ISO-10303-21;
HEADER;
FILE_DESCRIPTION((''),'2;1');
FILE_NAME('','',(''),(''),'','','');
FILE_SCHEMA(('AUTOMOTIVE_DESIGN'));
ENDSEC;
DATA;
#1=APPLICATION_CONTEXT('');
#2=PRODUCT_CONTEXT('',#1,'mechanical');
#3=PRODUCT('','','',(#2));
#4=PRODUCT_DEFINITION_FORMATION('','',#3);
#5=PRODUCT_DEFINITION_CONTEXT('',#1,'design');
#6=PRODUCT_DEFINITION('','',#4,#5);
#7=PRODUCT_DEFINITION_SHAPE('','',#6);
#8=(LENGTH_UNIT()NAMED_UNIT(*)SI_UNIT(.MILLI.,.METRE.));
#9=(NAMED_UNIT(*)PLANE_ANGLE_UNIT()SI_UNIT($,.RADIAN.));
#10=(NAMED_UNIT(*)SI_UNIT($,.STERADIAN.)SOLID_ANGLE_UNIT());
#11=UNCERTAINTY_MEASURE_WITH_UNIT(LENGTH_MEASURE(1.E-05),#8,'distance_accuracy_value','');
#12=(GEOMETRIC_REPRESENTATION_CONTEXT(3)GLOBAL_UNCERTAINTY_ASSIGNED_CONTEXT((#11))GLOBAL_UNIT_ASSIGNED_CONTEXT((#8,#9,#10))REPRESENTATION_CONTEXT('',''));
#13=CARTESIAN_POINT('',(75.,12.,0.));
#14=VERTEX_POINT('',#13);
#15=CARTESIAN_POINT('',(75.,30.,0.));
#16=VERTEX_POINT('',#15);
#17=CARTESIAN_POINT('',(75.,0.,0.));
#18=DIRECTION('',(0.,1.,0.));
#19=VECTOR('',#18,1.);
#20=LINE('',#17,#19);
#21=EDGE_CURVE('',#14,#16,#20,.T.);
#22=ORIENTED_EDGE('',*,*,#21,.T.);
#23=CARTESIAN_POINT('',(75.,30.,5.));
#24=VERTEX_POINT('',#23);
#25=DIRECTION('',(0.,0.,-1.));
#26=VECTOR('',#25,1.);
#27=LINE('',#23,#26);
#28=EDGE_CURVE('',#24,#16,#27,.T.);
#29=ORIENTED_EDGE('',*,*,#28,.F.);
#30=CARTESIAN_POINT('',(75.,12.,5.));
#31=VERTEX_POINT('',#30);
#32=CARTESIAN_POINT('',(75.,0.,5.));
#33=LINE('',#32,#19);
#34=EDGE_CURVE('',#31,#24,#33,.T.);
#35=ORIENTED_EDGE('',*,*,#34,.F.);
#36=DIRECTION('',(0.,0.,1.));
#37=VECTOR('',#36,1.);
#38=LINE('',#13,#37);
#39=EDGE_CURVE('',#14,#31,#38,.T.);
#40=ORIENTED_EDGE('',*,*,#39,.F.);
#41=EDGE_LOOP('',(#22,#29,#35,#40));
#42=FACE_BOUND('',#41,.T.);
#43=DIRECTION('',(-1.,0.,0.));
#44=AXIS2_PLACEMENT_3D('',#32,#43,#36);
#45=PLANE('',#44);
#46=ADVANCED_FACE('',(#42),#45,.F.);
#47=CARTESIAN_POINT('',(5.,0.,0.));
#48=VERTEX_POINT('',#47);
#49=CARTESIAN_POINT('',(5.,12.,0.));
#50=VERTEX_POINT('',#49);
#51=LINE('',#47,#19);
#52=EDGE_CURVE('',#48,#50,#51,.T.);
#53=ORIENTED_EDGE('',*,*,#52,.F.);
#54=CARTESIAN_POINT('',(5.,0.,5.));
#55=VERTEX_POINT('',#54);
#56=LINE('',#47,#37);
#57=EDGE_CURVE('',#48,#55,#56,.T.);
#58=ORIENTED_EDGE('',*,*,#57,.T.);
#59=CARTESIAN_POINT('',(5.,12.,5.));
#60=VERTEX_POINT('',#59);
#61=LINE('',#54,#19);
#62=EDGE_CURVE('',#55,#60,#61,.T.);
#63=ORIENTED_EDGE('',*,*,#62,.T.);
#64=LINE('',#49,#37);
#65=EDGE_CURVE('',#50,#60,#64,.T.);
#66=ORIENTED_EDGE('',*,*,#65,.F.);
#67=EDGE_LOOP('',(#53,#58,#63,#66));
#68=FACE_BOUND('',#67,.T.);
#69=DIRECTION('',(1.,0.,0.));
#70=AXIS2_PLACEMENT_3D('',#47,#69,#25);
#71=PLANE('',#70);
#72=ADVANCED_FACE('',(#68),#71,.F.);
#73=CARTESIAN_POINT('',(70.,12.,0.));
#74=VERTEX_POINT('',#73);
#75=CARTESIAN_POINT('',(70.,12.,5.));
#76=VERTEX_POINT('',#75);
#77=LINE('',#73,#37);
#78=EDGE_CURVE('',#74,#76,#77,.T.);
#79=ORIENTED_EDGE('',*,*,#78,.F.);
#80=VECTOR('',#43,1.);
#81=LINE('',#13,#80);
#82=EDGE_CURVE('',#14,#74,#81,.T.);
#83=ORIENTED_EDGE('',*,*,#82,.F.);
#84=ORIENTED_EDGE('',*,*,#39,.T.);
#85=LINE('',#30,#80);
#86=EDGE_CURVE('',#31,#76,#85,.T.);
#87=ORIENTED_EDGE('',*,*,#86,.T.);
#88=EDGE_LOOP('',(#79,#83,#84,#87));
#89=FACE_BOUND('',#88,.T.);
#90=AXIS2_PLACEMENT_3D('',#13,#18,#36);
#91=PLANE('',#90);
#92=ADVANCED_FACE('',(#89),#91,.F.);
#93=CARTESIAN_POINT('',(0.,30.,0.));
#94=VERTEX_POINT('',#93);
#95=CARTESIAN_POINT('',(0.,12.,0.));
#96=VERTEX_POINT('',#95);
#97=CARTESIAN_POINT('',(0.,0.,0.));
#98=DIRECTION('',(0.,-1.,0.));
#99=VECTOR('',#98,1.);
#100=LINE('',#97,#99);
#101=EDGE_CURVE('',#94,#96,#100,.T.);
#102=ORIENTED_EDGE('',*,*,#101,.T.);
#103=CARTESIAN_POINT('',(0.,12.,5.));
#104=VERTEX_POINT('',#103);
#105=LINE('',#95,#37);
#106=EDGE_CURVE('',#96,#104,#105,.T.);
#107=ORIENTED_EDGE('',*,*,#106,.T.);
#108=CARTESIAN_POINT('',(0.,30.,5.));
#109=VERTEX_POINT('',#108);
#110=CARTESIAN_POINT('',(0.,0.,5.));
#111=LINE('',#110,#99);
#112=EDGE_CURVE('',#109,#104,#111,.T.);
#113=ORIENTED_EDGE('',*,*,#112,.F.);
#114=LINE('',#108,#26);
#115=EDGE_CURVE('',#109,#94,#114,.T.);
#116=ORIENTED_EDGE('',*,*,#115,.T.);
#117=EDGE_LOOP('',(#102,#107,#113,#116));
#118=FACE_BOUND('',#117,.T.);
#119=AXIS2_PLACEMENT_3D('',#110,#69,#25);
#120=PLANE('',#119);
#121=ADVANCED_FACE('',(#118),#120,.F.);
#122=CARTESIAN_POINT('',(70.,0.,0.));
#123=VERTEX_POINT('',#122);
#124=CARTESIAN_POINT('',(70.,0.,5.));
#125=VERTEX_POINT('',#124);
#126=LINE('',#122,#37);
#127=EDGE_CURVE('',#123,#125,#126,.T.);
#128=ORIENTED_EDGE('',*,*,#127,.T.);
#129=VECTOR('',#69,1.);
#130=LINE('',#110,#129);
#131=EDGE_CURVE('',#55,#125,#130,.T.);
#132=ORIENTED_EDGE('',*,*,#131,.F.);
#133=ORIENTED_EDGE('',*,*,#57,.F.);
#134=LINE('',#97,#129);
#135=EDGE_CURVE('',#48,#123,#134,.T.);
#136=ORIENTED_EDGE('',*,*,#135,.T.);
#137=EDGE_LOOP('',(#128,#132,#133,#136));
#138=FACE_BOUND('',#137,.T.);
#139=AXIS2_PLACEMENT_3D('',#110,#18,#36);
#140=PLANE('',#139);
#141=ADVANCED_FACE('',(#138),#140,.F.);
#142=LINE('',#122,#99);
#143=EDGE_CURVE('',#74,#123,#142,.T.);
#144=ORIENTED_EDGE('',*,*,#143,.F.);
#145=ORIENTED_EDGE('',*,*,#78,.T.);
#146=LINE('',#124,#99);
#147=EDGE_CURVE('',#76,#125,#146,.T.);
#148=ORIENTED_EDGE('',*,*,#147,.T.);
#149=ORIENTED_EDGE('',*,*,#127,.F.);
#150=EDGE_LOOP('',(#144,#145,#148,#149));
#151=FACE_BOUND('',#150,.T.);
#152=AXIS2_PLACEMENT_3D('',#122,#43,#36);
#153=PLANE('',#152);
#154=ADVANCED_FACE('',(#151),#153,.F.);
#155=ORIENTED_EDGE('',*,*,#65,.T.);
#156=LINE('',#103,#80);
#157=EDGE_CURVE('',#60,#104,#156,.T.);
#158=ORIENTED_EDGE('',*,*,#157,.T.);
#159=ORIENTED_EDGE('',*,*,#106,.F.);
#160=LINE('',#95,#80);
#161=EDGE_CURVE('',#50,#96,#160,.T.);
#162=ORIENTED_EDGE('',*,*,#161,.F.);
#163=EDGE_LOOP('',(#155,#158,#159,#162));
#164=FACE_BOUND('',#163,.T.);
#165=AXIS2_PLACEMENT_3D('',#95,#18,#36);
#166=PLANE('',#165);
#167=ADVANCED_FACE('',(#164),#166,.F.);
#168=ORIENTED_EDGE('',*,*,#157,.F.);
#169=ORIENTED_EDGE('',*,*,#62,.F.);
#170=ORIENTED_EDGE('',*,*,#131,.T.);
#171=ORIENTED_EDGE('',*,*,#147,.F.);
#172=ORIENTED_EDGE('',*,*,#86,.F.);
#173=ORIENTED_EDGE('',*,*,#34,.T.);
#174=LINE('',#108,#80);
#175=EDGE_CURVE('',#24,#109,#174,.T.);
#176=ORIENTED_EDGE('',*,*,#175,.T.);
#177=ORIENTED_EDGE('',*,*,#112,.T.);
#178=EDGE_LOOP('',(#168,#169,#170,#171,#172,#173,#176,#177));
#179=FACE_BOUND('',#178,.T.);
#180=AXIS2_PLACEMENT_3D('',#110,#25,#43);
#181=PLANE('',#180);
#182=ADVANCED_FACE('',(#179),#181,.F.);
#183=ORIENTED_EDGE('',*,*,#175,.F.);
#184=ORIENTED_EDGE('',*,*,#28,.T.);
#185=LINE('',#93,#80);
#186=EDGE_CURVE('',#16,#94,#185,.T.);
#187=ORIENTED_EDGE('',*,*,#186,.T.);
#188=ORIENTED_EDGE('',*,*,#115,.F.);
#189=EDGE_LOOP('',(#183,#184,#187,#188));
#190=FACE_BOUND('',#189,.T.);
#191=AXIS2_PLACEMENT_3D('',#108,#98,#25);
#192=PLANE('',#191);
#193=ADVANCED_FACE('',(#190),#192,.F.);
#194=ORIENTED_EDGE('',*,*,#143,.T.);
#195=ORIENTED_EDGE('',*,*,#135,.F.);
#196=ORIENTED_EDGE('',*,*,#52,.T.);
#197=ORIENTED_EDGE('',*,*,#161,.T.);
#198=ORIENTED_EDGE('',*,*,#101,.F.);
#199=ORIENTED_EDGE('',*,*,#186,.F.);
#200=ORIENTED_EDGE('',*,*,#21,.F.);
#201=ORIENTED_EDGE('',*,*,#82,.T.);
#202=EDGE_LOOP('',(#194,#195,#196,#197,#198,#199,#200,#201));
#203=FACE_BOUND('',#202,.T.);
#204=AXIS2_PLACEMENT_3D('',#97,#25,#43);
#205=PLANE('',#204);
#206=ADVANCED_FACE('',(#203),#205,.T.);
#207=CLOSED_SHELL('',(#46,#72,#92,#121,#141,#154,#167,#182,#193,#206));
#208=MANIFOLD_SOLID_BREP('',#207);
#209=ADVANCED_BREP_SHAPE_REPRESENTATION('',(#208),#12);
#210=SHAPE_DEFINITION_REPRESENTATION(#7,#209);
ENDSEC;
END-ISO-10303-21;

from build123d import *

# Parameters (mm, degrees)
SKIZZE1_W                       = 75
SKIZZE1_H                       = 30
AUFSATZ_LINEAR_AUSTRAGEN1_DEPTH = 5
SKIZZE2_W                       = 5
SKIZZE2_H                       = 12
SCHNITT_LINEAR_AUSTRAGEN1_DEPTH = 81.932070281


with BuildPart() as part:
    # Skizze1 → Aufsatz-Linear austragen1 (new body)
    with BuildSketch(Plane.XY):
        with Locations((37.5, 15)):
            Rectangle(SKIZZE1_W, SKIZZE1_H)
    extrude(amount=AUFSATZ_LINEAR_AUSTRAGEN1_DEPTH)

    # Skizze2 → Schnitt-Linear austragen1 (cut, through all)
    with BuildSketch(Plane.XY.offset(5)):
        with Locations((2.5, 6)):
            Rectangle(SKIZZE2_W, SKIZZE2_H)
        with Locations((72.5, 6)):
            Rectangle(SKIZZE2_W, SKIZZE2_H)
    extrude(amount=-SCHNITT_LINEAR_AUSTRAGEN1_DEPTH, mode=Mode.SUBTRACT)


solid = part.part
